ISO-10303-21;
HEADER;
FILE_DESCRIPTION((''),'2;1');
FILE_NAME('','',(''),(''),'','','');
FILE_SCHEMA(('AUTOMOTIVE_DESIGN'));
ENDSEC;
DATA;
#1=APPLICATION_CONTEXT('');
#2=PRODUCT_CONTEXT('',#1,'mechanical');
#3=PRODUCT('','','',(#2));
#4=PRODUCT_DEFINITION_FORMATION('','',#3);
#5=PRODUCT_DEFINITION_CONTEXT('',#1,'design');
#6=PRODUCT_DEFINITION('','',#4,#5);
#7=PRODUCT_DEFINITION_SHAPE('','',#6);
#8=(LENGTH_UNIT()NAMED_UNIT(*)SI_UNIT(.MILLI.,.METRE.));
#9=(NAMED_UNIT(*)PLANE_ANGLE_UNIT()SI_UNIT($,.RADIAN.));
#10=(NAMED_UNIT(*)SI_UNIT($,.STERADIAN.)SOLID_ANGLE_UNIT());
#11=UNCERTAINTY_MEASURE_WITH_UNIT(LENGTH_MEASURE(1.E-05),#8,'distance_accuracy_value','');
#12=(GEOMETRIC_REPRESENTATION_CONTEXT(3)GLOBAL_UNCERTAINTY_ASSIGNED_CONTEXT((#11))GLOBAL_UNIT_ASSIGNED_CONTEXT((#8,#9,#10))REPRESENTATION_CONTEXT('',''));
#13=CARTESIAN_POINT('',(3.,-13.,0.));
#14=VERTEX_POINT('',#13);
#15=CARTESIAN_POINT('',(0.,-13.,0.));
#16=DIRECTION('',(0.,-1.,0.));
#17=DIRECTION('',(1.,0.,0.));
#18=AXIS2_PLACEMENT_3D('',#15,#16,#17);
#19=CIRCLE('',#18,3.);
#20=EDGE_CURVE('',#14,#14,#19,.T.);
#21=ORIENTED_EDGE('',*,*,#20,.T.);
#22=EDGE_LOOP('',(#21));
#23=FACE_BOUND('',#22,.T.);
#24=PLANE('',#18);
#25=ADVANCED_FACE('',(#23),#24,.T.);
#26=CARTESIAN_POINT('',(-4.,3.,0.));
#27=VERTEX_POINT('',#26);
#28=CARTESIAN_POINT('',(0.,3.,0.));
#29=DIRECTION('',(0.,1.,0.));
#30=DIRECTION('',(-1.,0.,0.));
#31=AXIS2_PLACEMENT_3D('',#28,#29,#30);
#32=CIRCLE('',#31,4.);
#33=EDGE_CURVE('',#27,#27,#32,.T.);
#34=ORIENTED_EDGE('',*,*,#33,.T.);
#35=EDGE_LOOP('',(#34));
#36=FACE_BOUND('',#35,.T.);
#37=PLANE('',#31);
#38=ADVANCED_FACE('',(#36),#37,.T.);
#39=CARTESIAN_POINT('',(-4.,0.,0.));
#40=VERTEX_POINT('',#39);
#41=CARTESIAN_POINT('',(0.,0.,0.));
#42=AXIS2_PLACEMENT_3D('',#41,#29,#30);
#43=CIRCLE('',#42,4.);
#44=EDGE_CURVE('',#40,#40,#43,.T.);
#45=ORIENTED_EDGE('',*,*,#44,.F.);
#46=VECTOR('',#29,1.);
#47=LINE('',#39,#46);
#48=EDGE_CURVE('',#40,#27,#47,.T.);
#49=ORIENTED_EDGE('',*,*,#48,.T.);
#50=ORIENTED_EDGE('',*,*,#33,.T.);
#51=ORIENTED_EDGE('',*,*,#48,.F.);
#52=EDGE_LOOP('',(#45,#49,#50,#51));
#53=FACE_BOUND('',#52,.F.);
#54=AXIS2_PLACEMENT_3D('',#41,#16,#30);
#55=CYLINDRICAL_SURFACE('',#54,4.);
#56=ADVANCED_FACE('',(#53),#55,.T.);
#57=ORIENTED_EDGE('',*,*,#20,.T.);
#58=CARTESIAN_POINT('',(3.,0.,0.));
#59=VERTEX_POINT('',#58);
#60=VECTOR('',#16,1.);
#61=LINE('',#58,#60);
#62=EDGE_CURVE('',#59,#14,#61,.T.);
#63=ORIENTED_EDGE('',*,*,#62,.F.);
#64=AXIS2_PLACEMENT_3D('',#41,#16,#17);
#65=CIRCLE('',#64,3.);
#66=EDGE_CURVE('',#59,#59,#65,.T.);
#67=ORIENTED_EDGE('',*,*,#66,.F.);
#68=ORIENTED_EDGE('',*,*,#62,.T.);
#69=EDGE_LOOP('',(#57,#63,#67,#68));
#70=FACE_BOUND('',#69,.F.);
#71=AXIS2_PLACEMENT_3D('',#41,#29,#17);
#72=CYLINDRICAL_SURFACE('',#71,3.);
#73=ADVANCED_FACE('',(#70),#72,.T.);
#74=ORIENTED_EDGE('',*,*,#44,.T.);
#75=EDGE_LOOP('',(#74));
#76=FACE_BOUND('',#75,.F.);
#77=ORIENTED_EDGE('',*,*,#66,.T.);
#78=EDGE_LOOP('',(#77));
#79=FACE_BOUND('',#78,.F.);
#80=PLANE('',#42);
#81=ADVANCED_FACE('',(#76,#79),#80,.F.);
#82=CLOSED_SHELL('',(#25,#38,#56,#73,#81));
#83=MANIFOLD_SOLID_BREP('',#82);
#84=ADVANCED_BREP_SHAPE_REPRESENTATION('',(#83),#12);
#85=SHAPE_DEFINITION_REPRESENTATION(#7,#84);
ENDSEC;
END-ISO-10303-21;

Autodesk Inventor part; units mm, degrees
ref_plane "YZ Plane" through (0, 0, 0) normal (1, 0, 0) x (0, 1, 0)
ref_plane "XZ Plane" through (0, 0, 0) normal (0, 1, 0) x (-1, 0, 0)
ref_plane "XY Plane" through (0, 0, 0) normal (0, 0, 1) x (1, 0, 0)
sketch "Sketch1" plane through (0, 0, 0) normal (0, 1, 0) x (-1, 0, 0)
  circle A0 centre (0, 0) radius 4
  dimension "d0" = 8
extrude "Extrusion1" add sketch "Sketch1" along normal blind 3
sketch "Sketch2" plane through (0, 0, 0) normal (0, -1, 0) x (1, 0, 0)
  circle A0 centre (0, 0) radius 3
  dimension "d3" = 6
extrude "Extrusion2" add sketch "Sketch2" along normal blind 13
properties part number "platform pin for uv" material "Steel, Carbon"
